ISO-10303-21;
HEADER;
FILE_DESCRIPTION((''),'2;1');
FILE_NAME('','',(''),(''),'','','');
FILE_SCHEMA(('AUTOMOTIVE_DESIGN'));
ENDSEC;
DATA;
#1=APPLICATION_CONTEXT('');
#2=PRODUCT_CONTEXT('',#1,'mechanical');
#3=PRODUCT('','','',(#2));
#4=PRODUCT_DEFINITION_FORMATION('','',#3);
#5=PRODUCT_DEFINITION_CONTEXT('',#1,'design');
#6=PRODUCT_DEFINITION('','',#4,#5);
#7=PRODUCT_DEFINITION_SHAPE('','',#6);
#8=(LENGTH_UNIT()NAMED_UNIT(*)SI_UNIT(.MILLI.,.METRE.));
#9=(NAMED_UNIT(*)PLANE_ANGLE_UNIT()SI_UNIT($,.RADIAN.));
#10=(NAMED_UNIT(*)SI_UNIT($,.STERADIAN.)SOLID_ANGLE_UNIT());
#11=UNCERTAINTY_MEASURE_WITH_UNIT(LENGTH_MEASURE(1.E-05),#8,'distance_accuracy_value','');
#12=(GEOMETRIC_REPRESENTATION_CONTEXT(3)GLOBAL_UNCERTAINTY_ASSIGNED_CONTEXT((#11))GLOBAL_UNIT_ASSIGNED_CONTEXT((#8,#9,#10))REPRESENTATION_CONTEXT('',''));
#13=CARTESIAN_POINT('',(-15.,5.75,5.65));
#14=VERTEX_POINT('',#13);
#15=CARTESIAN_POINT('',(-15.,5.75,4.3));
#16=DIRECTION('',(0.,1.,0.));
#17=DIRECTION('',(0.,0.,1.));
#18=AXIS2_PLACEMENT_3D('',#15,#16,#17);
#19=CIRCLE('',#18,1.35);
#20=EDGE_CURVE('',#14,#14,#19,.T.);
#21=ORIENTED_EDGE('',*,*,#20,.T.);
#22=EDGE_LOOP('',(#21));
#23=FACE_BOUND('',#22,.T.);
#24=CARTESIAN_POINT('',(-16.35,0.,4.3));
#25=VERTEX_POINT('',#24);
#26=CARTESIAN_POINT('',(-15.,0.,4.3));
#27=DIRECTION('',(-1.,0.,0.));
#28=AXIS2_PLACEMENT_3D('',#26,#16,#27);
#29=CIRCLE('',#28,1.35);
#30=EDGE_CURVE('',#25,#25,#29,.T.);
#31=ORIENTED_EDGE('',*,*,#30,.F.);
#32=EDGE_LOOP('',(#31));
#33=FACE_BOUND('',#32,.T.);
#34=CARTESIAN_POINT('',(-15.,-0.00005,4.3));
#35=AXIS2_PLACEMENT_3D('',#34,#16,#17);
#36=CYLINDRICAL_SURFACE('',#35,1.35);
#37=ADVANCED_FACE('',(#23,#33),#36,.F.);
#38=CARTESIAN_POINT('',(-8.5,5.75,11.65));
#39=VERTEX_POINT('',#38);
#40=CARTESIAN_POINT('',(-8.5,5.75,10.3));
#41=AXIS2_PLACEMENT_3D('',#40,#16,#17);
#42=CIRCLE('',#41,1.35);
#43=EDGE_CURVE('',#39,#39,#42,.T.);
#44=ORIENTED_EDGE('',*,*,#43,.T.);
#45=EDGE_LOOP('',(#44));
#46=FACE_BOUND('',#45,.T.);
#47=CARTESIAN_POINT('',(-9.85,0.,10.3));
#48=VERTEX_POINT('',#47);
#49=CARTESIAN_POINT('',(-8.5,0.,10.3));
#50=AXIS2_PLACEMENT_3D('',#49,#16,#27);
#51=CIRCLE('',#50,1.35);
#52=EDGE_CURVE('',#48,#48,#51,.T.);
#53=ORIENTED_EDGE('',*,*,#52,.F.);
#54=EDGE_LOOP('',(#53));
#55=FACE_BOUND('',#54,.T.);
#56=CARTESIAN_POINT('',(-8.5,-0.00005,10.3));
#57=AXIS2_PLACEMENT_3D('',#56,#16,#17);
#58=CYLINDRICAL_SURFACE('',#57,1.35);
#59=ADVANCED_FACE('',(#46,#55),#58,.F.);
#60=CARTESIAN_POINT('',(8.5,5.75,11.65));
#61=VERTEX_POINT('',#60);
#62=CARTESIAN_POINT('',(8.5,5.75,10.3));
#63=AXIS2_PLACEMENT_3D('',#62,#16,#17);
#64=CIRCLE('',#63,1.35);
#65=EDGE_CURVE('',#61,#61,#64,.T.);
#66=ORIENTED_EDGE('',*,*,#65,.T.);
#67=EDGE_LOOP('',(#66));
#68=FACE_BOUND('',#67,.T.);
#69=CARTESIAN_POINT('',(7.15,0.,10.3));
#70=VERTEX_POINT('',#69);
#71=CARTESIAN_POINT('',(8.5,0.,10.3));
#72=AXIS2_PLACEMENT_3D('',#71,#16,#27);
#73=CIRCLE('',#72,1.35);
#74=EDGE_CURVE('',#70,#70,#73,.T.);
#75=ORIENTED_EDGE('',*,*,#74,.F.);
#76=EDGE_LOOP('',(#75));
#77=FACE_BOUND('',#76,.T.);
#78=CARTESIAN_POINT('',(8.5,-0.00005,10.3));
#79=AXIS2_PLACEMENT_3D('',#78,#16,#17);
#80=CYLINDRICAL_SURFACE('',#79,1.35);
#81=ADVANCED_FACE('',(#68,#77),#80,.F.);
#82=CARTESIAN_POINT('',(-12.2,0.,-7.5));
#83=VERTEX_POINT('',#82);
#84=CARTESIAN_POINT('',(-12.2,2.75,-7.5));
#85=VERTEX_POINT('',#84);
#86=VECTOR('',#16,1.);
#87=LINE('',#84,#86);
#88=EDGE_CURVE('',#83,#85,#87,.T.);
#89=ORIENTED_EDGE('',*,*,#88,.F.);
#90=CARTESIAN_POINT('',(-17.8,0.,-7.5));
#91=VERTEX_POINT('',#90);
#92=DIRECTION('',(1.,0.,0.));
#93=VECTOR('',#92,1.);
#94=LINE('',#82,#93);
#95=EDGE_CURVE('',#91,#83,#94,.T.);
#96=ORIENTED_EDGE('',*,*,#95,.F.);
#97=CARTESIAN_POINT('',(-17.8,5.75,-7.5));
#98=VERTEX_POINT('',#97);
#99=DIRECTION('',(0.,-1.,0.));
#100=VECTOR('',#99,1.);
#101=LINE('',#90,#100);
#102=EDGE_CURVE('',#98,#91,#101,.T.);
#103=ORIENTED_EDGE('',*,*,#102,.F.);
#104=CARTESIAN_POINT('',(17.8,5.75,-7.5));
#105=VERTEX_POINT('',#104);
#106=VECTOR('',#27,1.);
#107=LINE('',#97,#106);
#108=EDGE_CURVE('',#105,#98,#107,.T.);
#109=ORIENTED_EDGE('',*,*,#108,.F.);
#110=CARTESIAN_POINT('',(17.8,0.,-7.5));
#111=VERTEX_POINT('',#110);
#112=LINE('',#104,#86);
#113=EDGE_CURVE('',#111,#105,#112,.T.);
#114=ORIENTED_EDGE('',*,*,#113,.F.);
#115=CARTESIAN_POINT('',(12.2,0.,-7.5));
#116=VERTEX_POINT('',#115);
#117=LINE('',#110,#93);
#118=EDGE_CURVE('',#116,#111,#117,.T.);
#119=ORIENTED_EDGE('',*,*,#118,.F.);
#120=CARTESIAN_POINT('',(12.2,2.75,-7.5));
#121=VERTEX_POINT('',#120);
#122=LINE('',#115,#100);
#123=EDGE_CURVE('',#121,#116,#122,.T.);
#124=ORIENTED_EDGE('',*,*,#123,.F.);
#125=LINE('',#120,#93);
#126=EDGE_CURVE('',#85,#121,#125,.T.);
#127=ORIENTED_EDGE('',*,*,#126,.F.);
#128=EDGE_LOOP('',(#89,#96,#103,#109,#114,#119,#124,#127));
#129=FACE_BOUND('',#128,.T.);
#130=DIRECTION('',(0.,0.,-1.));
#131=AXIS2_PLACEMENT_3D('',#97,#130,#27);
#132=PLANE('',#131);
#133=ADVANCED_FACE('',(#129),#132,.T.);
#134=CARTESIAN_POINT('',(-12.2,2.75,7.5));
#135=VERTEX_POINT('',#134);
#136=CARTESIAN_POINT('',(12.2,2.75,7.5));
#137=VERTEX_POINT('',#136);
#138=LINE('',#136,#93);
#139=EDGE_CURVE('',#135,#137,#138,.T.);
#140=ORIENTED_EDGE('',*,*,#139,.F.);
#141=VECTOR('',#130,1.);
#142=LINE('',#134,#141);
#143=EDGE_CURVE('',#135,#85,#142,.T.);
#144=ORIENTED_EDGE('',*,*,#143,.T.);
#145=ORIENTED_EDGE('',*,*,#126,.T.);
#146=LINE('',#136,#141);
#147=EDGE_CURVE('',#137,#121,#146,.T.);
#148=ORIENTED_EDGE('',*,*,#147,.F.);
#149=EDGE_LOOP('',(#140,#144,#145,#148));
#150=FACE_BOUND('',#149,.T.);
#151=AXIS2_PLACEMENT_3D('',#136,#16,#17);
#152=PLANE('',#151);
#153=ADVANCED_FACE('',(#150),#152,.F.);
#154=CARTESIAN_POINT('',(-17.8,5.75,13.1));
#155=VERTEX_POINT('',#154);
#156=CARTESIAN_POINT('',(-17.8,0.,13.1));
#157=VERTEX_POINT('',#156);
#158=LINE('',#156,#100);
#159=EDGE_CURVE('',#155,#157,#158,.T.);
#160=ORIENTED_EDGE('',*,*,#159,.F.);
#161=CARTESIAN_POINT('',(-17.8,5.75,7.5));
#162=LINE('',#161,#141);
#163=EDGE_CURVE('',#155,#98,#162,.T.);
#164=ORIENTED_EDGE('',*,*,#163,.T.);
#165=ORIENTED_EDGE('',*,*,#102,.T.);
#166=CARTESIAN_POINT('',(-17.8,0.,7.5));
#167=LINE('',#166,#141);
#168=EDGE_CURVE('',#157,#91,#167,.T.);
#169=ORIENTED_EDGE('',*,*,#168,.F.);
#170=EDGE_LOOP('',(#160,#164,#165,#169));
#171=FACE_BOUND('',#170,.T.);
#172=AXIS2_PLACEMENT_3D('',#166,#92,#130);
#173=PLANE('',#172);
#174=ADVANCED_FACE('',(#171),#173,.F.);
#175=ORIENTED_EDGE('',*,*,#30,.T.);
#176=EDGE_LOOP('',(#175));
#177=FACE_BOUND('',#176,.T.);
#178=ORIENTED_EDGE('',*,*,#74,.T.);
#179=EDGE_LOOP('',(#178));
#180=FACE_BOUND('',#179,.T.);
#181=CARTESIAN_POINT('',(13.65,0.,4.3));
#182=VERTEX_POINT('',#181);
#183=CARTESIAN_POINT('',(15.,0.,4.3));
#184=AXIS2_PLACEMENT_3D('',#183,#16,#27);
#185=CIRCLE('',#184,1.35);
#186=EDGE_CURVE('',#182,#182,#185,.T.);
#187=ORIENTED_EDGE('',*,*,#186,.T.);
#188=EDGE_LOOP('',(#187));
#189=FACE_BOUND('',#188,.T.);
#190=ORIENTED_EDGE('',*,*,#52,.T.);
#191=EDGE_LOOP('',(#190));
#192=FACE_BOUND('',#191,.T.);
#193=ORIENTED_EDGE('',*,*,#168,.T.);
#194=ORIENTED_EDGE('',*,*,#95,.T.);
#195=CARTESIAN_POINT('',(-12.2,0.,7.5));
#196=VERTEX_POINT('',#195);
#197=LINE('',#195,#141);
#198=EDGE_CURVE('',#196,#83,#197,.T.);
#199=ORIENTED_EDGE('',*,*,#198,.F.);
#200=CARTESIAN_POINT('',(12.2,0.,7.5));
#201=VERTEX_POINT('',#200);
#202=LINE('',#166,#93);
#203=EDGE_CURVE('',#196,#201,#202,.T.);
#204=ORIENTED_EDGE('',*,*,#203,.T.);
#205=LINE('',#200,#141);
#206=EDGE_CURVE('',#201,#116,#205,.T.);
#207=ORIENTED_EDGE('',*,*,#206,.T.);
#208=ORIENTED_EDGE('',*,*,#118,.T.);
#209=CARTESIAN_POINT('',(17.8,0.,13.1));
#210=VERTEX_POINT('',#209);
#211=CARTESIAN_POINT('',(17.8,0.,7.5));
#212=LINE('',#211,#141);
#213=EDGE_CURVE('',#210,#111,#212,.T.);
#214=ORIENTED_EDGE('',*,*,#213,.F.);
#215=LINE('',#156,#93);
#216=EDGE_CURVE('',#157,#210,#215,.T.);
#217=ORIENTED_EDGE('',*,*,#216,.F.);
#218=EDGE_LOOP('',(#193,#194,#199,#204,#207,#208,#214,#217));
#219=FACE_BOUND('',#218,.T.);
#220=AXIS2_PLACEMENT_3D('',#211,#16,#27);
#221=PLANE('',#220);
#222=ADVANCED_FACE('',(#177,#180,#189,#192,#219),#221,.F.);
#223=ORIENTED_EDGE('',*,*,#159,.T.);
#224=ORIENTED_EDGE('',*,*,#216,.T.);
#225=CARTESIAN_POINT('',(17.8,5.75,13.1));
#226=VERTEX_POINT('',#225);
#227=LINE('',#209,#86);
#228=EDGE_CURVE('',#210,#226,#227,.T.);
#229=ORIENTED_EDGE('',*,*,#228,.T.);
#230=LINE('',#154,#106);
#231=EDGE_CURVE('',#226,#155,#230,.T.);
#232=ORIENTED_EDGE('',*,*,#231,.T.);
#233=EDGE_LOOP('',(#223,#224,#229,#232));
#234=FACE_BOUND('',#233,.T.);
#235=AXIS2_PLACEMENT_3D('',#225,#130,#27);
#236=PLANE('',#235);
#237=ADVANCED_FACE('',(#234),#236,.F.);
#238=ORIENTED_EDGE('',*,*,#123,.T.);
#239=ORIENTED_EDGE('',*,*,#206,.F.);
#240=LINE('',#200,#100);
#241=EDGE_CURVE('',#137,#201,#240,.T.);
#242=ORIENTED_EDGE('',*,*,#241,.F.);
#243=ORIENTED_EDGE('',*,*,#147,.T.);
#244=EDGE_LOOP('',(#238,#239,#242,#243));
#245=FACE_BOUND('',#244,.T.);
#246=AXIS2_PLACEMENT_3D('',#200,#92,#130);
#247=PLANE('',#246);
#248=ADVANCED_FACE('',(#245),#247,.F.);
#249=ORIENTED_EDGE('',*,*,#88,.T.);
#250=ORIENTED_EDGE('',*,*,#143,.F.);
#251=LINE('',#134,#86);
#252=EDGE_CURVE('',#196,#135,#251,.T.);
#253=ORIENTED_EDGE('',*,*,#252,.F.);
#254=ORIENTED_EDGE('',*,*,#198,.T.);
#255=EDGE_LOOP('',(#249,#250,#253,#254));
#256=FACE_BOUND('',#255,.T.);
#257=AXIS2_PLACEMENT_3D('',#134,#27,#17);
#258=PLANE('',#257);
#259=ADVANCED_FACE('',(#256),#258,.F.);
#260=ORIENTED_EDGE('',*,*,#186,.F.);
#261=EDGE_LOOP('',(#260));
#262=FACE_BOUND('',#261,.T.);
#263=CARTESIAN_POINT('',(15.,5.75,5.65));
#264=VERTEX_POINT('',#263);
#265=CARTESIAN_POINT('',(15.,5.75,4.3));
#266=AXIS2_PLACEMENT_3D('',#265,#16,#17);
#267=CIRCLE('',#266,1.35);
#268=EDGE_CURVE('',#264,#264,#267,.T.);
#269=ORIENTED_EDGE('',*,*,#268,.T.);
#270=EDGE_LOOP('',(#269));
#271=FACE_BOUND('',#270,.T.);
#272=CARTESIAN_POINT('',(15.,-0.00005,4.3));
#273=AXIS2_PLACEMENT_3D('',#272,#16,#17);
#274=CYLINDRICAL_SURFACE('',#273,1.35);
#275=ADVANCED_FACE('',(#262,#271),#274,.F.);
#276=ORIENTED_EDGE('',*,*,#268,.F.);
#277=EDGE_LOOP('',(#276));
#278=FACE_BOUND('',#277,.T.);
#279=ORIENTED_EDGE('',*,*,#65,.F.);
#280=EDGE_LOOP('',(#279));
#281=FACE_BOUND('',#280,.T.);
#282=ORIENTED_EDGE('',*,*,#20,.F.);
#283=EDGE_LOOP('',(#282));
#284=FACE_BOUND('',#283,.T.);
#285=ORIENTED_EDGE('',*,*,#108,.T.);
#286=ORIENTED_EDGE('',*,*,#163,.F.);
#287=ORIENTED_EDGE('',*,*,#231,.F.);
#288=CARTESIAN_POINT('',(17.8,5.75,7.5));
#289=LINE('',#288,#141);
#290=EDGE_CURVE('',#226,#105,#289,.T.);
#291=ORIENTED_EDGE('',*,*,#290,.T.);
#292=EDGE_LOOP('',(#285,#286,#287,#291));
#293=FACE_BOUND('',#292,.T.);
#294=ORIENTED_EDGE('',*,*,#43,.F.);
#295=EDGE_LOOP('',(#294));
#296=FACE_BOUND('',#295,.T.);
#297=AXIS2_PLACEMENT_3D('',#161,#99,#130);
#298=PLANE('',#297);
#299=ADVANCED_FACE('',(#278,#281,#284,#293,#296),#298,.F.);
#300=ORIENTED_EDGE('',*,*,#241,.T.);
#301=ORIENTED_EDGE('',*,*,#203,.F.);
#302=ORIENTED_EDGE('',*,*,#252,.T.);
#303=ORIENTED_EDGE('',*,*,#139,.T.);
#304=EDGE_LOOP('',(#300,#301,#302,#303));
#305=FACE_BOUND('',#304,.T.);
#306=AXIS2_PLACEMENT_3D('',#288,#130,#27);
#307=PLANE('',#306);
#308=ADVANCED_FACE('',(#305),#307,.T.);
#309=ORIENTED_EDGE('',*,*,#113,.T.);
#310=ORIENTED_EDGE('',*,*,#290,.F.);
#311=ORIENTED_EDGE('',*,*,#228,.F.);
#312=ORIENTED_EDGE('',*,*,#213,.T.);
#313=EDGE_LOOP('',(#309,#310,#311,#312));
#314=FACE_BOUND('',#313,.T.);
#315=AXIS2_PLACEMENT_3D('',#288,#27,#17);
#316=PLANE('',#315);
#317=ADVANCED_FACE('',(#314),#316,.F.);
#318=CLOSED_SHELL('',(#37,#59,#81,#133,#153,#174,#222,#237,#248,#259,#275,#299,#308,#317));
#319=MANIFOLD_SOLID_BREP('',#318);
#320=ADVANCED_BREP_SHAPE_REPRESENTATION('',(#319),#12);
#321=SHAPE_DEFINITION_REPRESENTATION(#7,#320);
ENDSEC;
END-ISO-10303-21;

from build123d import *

# Parameters (mm, degrees)
BOSS_EXTRUDE1_DEPTH = 7.5
SKETCH8_W           = 35.6
SKETCH8_H           = 5.75
BOSS_EXTRUDE4_DEPTH = 5.6
SKETCH9_R           = 1.35
CUT_EXTRUDE3_DEPTH  = 6.75


with BuildPart() as part:
    # Sketch1 → Boss-Extrude1 (new body, symmetric)
    with BuildSketch(Plane.XY):
        Polygon((-17.8, 5.75), (17.8, 5.75), (17.8, 0), (12.2, 0), (12.2, 2.75), (-12.2, 2.75), (-12.2, 0), (-17.8, 0), align=None)
    extrude(amount=BOSS_EXTRUDE1_DEPTH, both=True)

    # Sketch8 → Boss-Extrude4 (add)
    with BuildSketch(Plane.XY.offset(7.5)):
        with Locations((0, 2.875)):
            Rectangle(SKETCH8_W, SKETCH8_H)
    extrude(amount=BOSS_EXTRUDE4_DEPTH)

    # Sketch9 → Cut-Extrude3 (cut, through all)
    with BuildSketch(Plane(origin=(0, 5.75, 0), x_dir=(1, 0, 0), z_dir=(0, 1, 0))):
        with Locations((-8.5, -10.3)):
            Circle(SKETCH9_R)
        with Locations((-15, -4.3)):
            Circle(SKETCH9_R)
        with Locations((8.5, -10.3)):
            Circle(SKETCH9_R)
        with Locations((15, -4.3)):
            Circle(SKETCH9_R)
    extrude(amount=-CUT_EXTRUDE3_DEPTH, mode=Mode.SUBTRACT)


solid = part.part
